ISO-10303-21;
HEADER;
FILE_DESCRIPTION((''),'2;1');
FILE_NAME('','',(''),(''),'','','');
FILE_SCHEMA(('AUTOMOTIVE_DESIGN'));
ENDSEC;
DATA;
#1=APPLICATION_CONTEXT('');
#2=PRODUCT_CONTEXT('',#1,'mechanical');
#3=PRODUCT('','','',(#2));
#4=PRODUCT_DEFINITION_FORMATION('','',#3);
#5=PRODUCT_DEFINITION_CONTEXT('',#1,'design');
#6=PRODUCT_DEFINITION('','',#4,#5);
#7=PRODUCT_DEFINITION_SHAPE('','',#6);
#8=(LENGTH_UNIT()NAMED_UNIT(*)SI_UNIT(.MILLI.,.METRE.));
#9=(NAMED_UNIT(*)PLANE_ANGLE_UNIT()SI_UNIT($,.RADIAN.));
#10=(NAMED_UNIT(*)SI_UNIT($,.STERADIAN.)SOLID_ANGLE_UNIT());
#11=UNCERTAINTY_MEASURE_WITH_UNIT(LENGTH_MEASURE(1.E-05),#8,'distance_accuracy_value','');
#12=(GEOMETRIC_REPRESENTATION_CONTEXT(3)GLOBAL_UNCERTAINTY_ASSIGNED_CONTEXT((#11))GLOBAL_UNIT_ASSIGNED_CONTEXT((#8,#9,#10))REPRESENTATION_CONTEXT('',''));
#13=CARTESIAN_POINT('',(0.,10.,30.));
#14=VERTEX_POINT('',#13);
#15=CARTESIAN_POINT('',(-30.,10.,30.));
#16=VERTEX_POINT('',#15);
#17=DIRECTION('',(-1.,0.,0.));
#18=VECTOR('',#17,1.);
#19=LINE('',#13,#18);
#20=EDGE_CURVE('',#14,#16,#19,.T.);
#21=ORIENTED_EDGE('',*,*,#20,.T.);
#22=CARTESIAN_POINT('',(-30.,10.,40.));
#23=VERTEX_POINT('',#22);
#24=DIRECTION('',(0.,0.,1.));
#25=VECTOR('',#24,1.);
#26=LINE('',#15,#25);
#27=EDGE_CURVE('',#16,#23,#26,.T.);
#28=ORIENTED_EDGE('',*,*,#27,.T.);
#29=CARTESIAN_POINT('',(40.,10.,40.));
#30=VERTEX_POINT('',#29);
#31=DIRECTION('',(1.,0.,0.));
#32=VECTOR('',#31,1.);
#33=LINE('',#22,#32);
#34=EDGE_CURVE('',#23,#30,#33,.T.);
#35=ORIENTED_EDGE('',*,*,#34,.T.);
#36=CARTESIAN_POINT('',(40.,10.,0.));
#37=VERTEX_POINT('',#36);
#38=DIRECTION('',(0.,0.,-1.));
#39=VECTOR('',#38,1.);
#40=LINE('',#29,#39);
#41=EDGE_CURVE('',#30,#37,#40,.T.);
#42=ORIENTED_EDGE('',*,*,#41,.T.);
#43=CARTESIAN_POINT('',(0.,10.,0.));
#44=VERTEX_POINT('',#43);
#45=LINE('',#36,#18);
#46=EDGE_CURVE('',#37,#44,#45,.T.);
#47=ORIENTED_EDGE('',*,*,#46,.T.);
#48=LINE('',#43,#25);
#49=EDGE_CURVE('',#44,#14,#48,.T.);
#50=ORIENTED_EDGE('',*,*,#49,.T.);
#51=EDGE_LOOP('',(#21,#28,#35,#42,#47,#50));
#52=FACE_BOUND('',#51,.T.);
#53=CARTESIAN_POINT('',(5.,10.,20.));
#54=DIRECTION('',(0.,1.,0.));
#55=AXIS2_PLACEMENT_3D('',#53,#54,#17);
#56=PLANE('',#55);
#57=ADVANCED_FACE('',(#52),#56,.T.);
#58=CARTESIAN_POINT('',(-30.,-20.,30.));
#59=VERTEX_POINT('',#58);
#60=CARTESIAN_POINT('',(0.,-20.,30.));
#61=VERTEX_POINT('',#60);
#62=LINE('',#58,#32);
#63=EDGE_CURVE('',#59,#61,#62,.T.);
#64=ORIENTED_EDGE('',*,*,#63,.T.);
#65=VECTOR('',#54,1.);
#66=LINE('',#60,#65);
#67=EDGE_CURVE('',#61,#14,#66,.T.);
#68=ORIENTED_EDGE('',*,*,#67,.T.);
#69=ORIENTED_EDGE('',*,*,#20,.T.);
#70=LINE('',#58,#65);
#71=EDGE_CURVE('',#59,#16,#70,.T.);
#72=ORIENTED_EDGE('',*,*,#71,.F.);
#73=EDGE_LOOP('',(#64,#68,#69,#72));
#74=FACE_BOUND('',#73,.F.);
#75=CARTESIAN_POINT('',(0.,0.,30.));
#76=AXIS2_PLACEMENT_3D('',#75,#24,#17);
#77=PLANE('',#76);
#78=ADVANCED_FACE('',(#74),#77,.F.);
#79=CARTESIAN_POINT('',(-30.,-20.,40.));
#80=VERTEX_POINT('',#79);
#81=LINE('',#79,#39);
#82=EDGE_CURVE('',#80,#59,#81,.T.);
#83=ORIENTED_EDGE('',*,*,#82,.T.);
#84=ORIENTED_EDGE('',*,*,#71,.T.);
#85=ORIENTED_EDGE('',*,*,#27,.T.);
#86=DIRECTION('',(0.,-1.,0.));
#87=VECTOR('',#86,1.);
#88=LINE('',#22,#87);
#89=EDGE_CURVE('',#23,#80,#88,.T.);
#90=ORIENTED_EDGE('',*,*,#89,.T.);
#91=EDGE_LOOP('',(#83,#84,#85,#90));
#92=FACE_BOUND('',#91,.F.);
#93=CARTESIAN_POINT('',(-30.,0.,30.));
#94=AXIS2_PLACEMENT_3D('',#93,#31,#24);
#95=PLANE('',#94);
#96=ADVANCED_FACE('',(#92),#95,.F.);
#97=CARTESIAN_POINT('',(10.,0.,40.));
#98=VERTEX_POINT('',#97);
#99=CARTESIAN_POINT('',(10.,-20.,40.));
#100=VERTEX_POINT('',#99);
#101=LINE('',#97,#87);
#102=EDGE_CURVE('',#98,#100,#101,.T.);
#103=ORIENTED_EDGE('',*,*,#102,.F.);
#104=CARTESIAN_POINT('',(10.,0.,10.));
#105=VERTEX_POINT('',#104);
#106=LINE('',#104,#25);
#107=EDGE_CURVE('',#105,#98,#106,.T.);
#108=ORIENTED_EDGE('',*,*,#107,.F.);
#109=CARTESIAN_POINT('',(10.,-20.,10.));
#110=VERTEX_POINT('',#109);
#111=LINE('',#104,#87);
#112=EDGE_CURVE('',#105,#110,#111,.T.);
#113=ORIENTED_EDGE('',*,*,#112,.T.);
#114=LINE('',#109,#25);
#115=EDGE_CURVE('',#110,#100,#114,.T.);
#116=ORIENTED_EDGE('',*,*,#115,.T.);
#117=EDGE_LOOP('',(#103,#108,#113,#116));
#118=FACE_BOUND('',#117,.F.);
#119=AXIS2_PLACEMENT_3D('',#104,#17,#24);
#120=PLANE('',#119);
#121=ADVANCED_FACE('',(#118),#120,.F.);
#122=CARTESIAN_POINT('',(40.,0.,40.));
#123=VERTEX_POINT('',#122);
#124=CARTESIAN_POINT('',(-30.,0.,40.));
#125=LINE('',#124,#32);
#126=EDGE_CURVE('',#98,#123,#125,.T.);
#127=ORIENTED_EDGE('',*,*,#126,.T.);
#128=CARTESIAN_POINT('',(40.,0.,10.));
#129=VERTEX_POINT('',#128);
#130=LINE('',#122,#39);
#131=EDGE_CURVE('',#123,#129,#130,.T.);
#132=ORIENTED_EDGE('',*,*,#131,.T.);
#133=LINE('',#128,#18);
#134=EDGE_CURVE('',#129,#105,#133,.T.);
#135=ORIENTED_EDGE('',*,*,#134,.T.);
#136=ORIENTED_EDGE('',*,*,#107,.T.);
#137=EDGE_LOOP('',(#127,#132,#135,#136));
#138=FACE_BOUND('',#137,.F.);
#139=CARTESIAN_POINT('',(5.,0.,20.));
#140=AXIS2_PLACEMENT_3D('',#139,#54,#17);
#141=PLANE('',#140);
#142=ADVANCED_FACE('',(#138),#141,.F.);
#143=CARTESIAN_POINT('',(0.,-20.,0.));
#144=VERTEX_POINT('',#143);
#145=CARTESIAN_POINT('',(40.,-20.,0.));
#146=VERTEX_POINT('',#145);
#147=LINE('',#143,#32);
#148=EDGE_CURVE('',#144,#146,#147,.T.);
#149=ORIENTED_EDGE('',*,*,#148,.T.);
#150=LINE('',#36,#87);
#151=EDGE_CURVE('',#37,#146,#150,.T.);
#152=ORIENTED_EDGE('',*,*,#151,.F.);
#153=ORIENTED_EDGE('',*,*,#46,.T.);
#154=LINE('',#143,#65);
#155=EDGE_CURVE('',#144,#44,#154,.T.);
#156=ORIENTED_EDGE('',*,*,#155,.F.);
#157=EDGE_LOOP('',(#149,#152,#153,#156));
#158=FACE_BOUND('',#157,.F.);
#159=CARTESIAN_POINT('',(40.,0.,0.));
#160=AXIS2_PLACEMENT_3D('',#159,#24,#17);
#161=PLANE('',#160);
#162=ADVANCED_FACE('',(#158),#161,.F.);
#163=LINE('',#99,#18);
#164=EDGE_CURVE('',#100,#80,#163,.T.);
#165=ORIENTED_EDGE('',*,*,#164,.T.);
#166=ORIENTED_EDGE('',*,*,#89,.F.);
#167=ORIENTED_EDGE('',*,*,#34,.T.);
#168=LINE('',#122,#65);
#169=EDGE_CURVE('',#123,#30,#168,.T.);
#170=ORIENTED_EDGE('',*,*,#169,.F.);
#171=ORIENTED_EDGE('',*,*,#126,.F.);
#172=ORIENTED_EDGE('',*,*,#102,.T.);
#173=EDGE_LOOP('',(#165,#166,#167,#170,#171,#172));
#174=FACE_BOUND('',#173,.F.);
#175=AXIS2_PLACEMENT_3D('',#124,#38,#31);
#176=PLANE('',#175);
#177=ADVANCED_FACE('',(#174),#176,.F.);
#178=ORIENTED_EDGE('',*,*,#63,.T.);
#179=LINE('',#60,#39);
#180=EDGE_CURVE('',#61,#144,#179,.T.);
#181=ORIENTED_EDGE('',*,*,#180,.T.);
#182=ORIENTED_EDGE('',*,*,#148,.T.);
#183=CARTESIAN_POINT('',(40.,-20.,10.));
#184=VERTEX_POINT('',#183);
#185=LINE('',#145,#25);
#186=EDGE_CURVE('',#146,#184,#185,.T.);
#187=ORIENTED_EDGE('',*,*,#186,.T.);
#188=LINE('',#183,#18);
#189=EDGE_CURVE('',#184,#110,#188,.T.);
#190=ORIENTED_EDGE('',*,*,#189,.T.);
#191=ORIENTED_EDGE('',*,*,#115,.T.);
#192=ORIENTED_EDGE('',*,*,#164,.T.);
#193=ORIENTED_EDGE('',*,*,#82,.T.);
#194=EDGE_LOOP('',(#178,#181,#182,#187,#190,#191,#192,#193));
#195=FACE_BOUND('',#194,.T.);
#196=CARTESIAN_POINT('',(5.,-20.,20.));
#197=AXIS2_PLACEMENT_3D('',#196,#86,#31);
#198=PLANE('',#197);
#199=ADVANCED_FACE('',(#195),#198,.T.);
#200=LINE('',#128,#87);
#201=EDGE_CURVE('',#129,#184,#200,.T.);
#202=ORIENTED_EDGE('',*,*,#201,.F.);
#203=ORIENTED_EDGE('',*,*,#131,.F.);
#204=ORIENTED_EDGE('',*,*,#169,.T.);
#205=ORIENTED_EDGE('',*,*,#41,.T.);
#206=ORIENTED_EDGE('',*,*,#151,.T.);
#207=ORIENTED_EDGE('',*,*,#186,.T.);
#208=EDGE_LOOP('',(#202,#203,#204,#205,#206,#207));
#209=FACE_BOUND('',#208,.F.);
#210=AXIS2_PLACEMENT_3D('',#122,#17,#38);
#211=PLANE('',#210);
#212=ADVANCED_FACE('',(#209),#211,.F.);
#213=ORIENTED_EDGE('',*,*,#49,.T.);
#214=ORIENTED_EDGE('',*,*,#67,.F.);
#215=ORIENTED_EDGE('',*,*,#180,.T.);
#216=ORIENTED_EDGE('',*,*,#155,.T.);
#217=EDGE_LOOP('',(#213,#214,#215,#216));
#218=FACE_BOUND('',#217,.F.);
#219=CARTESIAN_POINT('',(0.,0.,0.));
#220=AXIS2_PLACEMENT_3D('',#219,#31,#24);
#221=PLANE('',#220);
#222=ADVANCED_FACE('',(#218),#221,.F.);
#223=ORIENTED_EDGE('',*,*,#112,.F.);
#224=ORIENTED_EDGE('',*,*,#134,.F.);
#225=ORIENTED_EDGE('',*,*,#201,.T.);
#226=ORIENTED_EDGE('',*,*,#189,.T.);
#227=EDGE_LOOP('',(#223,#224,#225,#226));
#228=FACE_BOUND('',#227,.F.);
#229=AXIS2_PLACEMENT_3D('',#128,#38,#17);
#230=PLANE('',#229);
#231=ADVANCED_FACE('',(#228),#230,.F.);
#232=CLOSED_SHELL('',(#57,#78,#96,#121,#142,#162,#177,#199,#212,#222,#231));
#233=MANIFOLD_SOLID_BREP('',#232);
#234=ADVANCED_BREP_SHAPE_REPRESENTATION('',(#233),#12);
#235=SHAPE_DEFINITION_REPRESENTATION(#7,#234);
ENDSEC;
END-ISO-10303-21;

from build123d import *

# Parameters (mm, degrees)
F1_DEPTH = 20
F2_W     = 30
F2_H     = 30
F3_DEPTH = 10


with BuildPart() as f1:
    # F0 (on Front) → F1 (new body)
    with BuildSketch(Plane.XZ):
        Polygon((0, 30), (0, 0), (40, 0), (40, 10), (10, 10), (10, 40), (-30, 40), (-30, 30), align=None)
    extrude(amount=F1_DEPTH)

    # F2 (on face) → F3 (join)
    with BuildSketch(Plane(origin=(0, 0, 0), x_dir=(-1, 0, 0), z_dir=(0, 1, 0))):
        Polygon((-10, 10), (-40, 10), (-40, 0), (0, 0), (0, 30), (30, 30), (30, 40), (-10, 40), align=None)
        with Locations((-25, 25)):
            Rectangle(F2_W, F2_H)
    extrude(amount=F3_DEPTH)


solid = f1.part
